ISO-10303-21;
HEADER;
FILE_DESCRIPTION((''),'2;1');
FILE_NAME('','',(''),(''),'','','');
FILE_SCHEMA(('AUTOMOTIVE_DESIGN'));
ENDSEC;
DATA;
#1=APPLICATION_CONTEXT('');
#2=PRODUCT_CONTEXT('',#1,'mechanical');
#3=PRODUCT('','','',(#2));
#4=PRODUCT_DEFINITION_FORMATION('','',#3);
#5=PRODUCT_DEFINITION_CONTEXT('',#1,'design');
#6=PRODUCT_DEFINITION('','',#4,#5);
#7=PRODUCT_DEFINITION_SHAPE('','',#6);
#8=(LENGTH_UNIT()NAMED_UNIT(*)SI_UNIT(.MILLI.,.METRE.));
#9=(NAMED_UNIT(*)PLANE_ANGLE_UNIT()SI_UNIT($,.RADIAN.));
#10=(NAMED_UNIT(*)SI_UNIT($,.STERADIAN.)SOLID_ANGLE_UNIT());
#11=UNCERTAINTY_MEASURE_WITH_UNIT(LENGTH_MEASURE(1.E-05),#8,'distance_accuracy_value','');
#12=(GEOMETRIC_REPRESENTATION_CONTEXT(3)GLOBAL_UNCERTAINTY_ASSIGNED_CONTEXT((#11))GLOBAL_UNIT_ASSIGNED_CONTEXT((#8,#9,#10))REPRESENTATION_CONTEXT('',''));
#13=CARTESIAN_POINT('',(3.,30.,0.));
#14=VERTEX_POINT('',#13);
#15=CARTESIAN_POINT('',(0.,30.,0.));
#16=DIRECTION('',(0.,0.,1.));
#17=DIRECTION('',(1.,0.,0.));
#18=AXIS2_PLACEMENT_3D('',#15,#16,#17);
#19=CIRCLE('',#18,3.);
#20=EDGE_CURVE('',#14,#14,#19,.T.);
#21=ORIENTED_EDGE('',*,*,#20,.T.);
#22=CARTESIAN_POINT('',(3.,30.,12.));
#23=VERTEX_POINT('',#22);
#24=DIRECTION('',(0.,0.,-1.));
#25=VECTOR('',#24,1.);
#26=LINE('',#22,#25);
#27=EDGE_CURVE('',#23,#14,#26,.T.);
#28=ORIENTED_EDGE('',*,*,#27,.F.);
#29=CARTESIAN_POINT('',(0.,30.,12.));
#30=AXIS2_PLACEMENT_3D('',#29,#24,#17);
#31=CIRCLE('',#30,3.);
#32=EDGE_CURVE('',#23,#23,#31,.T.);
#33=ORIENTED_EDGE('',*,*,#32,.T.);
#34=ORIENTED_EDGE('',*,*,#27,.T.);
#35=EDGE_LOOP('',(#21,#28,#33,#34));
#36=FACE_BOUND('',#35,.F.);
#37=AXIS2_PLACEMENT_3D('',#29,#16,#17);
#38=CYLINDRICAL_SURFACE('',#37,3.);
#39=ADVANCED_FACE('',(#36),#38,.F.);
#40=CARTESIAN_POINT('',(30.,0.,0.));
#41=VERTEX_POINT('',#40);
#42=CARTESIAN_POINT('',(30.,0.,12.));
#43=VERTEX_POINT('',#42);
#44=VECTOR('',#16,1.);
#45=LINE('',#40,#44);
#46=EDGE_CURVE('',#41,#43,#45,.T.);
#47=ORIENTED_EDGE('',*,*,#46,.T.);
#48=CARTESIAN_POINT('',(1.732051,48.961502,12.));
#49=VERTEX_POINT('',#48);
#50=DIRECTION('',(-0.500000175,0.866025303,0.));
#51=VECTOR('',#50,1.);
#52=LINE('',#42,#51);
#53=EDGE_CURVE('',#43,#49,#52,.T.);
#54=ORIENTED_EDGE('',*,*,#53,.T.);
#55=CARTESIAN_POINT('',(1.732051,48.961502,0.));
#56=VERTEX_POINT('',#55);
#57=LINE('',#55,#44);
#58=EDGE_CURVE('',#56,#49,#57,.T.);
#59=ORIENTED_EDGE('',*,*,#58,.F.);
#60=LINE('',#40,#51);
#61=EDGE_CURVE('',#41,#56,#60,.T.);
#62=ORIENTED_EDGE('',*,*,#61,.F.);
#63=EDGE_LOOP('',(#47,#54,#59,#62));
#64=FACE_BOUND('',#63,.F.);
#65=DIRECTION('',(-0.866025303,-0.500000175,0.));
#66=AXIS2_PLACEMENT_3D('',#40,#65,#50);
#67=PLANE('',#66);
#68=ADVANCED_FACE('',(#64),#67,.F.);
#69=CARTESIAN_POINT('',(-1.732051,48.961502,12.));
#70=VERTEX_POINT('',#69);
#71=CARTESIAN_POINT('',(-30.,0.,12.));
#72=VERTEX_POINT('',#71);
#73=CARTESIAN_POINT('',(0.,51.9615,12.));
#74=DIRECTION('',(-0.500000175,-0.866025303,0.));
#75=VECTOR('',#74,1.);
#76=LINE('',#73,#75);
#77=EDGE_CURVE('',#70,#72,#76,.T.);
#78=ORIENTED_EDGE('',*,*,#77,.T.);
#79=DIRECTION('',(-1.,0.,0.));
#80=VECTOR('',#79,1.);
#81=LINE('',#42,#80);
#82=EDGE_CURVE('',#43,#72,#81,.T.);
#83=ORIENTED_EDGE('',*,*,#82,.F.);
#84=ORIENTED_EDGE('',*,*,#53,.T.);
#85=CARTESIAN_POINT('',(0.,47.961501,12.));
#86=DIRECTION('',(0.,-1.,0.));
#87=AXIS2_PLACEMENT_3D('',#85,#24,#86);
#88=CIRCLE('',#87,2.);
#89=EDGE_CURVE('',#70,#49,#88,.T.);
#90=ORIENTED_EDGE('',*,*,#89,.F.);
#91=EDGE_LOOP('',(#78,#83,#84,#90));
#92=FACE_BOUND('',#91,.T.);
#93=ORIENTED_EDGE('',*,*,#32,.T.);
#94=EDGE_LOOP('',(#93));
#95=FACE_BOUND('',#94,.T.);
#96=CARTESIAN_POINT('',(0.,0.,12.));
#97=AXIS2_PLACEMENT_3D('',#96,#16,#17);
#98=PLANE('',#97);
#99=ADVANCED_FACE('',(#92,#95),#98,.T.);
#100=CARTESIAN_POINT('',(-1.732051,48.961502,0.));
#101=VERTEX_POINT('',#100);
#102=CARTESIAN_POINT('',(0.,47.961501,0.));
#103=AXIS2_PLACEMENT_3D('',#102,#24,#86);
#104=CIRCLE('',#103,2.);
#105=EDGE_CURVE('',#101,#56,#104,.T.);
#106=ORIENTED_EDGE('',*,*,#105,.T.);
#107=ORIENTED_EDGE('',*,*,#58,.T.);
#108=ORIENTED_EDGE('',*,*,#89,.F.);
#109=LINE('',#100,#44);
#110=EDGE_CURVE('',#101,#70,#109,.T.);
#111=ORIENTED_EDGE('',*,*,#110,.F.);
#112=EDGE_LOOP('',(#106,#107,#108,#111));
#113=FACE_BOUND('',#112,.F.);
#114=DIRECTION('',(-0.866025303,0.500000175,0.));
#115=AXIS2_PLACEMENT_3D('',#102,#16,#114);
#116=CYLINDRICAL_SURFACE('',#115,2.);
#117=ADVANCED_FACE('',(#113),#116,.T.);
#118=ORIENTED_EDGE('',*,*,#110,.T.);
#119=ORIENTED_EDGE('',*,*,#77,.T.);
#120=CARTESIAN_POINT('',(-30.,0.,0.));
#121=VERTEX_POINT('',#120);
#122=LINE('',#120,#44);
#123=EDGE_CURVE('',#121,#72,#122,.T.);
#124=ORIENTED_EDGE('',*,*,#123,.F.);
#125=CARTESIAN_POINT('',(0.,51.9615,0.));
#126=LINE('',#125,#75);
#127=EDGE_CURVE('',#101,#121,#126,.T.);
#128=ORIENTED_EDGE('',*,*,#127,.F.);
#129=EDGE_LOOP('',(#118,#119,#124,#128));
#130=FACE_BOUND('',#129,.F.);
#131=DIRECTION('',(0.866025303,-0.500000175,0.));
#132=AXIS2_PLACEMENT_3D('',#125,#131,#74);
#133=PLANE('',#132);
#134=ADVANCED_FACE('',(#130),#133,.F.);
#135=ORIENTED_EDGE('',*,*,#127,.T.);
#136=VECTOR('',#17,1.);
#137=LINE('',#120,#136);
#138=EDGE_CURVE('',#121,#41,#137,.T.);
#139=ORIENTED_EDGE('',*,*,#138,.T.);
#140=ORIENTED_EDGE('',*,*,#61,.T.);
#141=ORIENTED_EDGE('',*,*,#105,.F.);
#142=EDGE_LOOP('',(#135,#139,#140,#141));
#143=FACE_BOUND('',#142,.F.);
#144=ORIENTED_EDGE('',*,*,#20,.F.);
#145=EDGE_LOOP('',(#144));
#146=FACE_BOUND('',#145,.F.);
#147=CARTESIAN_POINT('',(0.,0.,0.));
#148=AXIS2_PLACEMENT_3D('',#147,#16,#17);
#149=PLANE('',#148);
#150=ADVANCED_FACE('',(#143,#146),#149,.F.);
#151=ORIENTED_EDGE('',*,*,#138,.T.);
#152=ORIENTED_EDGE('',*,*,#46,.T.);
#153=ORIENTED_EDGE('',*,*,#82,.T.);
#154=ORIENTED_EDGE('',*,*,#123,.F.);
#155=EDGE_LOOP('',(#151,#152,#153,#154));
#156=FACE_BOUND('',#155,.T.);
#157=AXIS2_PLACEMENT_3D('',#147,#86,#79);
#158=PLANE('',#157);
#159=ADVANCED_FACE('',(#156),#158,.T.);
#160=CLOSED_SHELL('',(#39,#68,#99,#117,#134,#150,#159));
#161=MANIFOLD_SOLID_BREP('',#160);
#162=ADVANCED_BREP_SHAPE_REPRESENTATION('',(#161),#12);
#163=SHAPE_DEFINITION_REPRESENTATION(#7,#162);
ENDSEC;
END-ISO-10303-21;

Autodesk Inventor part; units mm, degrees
ref_plane "YZ Plane" through (0, 0, 0) normal (1, 0, 0) x (0, 1, 0)
ref_plane "XZ Plane" through (0, 0, 0) normal (0, 1, 0) x (-1, 0, 0)
ref_plane "XY Plane" through (0, 0, 0) normal (0, 0, 1) x (1, 0, 0)
sketch "Sketch1" plane through (0, 0, 0) normal (0, 0, 1) x (1, 0, 0)
  line L0 (0, 0) -> (-30, 0)
  line L1 (0, 0) -> (30, 0)
  line L2 (30, 0) -> (0, 51.9615)
  line L3 (0, 51.9615) -> (-30, 0)
  dimension "d0" = 30
  dimension "d1" = 30
  dimension "d2" = 60
  dimension "d3" = 60
extrude "Extrusion1" add sketch "Sketch1" along normal blind 12
sketch "Sketch2" plane through (0, 0, 12) normal (0, 0, 1) x (1, 0, 0)
  line L0 (0, 0) -> (0, 30)
  circle A0 centre (0, 30) radius 3
  dimension "d7" = 30
  dimension "d8" = 6
extrude "Extrusion2" cut sketch "Sketch2" against normal through all
fillet "Fillet2" radius 2 1 edges at (0, 51.9615, 6)
properties part number "Rocker Base Joint"
